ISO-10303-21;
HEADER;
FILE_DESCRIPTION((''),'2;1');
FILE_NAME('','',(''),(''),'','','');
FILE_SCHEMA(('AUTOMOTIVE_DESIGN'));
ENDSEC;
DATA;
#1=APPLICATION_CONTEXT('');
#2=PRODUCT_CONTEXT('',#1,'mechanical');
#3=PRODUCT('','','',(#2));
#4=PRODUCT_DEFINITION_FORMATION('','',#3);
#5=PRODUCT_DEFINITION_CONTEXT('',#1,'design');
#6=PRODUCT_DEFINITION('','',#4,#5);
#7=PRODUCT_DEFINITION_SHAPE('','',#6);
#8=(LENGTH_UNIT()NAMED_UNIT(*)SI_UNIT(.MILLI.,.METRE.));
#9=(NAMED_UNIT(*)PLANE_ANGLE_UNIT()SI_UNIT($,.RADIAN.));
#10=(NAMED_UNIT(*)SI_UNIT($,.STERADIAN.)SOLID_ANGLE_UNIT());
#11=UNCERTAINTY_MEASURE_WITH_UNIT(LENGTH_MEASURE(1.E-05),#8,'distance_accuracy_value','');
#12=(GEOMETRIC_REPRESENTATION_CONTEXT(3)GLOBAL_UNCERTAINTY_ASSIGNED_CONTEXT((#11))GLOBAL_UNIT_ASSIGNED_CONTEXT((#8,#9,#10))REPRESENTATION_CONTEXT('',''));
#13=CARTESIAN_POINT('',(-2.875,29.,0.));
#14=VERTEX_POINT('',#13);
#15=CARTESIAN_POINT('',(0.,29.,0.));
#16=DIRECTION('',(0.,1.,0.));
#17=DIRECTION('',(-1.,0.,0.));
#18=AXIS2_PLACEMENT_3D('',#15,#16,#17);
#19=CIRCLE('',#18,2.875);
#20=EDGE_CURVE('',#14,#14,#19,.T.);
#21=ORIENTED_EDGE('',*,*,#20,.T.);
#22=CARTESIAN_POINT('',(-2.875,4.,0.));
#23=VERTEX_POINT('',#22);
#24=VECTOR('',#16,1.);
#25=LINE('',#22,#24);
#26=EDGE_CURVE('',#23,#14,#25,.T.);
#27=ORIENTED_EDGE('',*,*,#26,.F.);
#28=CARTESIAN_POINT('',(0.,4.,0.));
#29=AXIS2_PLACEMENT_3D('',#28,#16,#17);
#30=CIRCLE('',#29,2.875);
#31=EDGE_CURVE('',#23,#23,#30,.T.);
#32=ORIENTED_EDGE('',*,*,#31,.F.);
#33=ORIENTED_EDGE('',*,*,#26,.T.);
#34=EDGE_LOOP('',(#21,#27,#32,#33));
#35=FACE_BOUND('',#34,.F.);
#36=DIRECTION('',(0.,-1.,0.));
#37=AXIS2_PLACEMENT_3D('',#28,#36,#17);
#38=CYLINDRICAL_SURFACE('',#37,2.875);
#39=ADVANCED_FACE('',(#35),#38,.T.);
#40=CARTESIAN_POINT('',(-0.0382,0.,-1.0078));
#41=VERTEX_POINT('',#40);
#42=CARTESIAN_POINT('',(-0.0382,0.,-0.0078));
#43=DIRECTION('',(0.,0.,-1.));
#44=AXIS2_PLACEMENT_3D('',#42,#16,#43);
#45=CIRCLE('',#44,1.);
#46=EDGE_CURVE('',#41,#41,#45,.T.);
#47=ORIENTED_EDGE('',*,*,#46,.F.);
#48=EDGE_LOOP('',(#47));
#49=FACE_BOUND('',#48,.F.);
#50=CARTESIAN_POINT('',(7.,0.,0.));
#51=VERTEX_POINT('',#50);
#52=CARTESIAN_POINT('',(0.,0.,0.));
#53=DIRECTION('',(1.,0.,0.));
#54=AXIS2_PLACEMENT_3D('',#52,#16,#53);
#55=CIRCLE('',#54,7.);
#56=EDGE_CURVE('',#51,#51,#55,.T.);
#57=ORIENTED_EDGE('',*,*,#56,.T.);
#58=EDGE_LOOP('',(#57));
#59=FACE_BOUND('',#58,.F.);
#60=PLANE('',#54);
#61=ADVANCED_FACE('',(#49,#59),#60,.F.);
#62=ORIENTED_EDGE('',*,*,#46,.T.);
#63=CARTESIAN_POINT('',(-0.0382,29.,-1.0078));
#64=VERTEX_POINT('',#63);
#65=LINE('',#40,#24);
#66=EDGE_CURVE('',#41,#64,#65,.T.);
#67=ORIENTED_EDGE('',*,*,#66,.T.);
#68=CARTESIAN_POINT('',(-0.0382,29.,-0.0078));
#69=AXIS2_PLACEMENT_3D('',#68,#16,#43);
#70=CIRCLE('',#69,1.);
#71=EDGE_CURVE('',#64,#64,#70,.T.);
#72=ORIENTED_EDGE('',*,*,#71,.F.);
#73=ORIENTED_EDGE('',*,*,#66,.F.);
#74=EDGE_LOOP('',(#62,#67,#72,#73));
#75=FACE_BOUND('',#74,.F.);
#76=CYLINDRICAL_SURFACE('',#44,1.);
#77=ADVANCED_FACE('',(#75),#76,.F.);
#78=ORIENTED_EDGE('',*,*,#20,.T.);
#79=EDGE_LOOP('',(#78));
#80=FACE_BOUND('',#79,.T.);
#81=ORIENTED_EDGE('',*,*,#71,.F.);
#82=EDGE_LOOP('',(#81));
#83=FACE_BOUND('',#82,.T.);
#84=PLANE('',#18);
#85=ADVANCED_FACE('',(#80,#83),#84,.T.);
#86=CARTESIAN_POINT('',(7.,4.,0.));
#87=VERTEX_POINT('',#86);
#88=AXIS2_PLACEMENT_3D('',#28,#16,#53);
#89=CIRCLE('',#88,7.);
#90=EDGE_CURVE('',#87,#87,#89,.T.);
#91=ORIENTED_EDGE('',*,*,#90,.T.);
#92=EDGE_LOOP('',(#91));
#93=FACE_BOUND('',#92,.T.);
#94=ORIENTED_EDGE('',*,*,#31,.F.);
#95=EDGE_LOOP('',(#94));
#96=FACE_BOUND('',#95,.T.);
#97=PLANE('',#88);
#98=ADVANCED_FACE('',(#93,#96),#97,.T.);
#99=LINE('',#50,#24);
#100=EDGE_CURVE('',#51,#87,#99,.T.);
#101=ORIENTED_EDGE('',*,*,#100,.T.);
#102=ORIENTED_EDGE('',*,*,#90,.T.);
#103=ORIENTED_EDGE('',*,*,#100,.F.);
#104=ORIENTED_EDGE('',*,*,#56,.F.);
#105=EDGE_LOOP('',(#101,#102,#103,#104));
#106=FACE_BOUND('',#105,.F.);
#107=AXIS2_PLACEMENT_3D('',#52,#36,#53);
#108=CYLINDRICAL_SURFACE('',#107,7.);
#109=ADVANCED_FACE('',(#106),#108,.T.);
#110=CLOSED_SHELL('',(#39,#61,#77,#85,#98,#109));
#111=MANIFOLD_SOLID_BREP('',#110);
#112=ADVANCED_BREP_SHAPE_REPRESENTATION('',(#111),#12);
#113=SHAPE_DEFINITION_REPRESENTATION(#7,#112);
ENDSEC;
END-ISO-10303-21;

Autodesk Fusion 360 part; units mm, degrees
sketch "Base" plane through (0, 0, 0) normal (0, 1, 0) x (1, 0, 0)
  circle A0 centre (0, 0) radius 7
  dimension "d1" = 14
extrude "Extrude1" add sketch "Base" along normal blind 4
sketch "Pin" plane through (0, 4, 0) normal (0, 1, 0) x (-1, 0, 0)
  circle A0 centre (0, 0) radius 7
  circle A1 centre (0, 0) radius 2.875
  dimension "d4" = 5.75
extrude "Extrude2" add sketch "Pin" along normal blind 25 contours A1
hole "Hole1" at (-0.0382, 0, -0.0078) direction (0, 1, 0) diameter 2 end through all
